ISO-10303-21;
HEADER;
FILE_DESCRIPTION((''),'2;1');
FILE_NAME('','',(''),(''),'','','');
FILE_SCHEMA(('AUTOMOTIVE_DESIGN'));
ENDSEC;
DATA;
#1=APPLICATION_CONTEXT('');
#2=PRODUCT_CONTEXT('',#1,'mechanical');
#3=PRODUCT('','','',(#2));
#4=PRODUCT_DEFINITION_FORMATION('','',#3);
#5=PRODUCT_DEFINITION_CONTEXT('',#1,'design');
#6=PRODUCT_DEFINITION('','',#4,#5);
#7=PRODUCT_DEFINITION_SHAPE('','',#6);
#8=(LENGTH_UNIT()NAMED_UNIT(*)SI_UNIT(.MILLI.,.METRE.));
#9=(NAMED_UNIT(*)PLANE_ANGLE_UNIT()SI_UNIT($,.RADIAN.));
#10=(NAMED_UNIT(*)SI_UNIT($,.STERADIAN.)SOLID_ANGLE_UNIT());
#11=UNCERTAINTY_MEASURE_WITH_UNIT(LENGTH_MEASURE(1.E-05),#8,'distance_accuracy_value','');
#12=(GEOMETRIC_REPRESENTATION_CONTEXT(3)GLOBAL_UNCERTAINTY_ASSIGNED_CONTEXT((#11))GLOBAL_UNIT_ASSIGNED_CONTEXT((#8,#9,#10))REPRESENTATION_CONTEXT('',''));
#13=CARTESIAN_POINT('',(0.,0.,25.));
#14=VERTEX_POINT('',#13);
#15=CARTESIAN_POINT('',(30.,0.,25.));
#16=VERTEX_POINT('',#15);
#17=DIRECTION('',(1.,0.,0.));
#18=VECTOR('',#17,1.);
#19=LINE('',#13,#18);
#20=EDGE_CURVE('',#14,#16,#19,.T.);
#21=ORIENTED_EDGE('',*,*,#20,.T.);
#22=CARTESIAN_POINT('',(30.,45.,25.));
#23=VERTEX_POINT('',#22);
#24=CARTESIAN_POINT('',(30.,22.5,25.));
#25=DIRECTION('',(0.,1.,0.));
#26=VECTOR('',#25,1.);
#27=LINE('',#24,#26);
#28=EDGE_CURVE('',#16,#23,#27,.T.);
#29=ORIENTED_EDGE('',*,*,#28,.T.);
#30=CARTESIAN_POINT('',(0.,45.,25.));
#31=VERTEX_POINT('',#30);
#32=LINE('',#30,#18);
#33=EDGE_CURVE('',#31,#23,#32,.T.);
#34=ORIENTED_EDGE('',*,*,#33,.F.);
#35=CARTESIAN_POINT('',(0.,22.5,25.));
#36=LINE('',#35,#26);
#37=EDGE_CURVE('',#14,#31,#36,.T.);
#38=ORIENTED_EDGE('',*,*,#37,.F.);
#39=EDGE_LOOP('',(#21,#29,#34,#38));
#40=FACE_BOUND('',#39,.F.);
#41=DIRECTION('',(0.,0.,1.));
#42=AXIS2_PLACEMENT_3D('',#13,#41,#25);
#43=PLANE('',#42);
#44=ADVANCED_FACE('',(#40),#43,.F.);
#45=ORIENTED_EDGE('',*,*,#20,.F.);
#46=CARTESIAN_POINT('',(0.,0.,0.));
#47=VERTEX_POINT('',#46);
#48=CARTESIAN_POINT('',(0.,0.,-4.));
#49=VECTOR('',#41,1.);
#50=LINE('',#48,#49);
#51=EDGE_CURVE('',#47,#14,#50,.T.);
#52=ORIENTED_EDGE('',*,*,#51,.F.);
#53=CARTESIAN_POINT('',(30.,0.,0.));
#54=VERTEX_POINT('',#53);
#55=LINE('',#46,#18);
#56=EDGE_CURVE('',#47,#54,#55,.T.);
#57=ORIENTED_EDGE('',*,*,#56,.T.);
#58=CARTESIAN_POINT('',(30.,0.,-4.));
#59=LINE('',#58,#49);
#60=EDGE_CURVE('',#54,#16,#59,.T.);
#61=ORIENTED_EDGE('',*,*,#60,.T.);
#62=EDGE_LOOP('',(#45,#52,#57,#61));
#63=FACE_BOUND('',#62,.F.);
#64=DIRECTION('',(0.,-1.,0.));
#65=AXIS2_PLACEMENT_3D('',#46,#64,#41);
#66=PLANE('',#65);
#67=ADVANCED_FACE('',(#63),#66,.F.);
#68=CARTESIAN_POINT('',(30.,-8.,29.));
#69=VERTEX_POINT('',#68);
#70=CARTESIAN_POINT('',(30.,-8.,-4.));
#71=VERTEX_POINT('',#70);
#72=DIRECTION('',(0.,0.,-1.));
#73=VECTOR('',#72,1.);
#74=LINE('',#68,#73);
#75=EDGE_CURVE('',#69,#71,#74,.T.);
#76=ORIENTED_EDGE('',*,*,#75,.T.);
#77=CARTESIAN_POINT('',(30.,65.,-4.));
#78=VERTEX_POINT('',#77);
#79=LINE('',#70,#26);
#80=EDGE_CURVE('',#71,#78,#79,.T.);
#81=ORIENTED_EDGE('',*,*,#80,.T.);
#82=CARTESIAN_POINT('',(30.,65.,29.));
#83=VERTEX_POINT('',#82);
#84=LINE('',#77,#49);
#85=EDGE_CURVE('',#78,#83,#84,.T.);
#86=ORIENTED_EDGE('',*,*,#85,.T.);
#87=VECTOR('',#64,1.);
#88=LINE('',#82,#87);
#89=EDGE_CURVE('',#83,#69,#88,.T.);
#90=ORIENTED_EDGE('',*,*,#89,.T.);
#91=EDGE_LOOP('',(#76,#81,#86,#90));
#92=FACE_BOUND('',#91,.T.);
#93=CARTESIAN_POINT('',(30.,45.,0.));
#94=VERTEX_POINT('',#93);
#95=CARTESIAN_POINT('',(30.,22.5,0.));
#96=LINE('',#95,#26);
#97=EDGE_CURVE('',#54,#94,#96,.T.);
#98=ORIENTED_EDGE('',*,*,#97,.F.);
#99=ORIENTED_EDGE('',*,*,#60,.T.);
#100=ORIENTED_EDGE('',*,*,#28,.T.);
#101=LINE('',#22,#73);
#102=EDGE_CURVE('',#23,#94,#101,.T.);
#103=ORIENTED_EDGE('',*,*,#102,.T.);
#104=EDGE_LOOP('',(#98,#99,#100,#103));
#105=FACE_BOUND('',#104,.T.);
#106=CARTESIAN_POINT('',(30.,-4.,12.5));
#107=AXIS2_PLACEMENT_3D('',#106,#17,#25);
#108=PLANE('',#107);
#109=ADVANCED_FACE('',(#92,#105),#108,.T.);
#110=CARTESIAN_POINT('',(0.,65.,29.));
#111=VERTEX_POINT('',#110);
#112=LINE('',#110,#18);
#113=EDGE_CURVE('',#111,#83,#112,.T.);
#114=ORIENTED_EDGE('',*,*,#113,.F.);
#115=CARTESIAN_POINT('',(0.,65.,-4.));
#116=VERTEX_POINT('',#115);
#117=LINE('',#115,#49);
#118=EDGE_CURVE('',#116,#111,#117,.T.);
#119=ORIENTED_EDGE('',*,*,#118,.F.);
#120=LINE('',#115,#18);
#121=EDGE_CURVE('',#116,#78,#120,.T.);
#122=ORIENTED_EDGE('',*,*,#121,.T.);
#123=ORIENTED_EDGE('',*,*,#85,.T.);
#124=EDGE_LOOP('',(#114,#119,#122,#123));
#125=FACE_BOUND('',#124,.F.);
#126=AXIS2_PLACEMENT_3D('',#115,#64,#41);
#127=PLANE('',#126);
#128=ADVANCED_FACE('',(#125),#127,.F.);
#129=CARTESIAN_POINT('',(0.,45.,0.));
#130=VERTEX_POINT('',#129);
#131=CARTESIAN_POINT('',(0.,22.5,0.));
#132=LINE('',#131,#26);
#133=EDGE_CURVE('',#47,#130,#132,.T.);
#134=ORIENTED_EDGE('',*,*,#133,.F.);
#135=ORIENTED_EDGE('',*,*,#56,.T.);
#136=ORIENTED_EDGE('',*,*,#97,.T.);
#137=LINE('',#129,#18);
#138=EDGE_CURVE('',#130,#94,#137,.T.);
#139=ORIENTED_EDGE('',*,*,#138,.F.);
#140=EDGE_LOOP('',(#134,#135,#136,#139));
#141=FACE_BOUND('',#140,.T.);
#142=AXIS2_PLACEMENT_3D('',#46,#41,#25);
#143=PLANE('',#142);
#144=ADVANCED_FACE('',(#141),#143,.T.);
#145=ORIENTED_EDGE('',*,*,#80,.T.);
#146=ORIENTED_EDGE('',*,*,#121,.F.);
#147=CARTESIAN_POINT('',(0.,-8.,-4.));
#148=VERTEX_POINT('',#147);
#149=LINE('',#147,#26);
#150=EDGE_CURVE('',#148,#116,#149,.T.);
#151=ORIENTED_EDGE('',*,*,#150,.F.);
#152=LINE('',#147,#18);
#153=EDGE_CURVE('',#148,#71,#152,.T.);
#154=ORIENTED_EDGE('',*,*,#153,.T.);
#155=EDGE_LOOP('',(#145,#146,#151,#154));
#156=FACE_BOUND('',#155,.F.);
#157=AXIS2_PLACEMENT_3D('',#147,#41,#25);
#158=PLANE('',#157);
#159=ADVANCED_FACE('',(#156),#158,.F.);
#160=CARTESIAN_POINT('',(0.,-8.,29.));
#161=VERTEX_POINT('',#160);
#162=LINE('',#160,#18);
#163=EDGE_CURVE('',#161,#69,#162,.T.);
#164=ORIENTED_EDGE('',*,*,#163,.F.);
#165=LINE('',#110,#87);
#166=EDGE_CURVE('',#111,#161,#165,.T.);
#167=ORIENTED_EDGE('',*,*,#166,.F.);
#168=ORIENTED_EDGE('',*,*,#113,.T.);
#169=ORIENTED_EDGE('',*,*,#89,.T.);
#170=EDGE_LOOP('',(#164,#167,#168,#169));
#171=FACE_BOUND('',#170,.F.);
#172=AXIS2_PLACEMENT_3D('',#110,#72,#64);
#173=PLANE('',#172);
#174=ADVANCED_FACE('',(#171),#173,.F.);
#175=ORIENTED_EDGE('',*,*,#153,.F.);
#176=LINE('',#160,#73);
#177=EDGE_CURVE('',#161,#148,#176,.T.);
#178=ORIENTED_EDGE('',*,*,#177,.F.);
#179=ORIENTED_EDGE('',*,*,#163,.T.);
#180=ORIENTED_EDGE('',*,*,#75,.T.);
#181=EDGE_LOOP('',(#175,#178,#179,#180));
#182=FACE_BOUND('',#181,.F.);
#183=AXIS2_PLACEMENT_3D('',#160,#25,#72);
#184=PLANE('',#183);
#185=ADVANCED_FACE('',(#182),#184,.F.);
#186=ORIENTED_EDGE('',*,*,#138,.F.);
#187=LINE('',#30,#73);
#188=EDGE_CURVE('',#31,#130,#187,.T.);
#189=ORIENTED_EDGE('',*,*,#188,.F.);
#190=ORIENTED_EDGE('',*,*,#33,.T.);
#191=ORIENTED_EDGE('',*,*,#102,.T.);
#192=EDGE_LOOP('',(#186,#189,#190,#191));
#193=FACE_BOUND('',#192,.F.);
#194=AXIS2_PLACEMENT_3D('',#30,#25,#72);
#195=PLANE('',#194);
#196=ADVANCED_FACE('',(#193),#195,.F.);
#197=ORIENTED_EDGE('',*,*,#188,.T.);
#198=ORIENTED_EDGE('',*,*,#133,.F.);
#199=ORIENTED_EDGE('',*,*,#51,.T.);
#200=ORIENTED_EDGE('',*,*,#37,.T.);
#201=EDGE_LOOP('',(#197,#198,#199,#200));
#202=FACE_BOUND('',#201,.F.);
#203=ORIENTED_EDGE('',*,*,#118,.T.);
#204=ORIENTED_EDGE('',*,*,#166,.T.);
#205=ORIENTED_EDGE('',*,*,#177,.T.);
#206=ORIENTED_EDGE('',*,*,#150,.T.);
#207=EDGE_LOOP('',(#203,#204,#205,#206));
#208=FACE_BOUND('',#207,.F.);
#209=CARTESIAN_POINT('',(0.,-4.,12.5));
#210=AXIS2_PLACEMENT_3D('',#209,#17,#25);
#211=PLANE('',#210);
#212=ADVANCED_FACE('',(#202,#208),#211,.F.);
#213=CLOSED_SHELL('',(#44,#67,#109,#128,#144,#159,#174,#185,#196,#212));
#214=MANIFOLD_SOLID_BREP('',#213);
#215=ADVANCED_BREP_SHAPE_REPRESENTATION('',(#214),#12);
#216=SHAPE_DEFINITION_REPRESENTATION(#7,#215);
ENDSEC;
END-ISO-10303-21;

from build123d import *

# Parameters (mm, degrees)
F0_W     = 45
F0_H     = 4
F1_DEPTH = 30


with BuildPart() as f1:
    # F0 (on Right) → F1 (new body)
    with BuildSketch(Plane.YZ):
        Polygon((0, -4), (0, 0), (0, 25), (0, 29), (-8, 29), (-8, -4), align=None)
        with Locations((22.5, 27)):
            Rectangle(F0_W, F0_H)
        with Locations((22.5, -2)):
            Rectangle(F0_W, F0_H)
        Polygon((45, 25), (45, 0), (45, -4), (65, -4), (65, 29), (45, 29), align=None)
    extrude(amount=F1_DEPTH)


solid = f1.part
